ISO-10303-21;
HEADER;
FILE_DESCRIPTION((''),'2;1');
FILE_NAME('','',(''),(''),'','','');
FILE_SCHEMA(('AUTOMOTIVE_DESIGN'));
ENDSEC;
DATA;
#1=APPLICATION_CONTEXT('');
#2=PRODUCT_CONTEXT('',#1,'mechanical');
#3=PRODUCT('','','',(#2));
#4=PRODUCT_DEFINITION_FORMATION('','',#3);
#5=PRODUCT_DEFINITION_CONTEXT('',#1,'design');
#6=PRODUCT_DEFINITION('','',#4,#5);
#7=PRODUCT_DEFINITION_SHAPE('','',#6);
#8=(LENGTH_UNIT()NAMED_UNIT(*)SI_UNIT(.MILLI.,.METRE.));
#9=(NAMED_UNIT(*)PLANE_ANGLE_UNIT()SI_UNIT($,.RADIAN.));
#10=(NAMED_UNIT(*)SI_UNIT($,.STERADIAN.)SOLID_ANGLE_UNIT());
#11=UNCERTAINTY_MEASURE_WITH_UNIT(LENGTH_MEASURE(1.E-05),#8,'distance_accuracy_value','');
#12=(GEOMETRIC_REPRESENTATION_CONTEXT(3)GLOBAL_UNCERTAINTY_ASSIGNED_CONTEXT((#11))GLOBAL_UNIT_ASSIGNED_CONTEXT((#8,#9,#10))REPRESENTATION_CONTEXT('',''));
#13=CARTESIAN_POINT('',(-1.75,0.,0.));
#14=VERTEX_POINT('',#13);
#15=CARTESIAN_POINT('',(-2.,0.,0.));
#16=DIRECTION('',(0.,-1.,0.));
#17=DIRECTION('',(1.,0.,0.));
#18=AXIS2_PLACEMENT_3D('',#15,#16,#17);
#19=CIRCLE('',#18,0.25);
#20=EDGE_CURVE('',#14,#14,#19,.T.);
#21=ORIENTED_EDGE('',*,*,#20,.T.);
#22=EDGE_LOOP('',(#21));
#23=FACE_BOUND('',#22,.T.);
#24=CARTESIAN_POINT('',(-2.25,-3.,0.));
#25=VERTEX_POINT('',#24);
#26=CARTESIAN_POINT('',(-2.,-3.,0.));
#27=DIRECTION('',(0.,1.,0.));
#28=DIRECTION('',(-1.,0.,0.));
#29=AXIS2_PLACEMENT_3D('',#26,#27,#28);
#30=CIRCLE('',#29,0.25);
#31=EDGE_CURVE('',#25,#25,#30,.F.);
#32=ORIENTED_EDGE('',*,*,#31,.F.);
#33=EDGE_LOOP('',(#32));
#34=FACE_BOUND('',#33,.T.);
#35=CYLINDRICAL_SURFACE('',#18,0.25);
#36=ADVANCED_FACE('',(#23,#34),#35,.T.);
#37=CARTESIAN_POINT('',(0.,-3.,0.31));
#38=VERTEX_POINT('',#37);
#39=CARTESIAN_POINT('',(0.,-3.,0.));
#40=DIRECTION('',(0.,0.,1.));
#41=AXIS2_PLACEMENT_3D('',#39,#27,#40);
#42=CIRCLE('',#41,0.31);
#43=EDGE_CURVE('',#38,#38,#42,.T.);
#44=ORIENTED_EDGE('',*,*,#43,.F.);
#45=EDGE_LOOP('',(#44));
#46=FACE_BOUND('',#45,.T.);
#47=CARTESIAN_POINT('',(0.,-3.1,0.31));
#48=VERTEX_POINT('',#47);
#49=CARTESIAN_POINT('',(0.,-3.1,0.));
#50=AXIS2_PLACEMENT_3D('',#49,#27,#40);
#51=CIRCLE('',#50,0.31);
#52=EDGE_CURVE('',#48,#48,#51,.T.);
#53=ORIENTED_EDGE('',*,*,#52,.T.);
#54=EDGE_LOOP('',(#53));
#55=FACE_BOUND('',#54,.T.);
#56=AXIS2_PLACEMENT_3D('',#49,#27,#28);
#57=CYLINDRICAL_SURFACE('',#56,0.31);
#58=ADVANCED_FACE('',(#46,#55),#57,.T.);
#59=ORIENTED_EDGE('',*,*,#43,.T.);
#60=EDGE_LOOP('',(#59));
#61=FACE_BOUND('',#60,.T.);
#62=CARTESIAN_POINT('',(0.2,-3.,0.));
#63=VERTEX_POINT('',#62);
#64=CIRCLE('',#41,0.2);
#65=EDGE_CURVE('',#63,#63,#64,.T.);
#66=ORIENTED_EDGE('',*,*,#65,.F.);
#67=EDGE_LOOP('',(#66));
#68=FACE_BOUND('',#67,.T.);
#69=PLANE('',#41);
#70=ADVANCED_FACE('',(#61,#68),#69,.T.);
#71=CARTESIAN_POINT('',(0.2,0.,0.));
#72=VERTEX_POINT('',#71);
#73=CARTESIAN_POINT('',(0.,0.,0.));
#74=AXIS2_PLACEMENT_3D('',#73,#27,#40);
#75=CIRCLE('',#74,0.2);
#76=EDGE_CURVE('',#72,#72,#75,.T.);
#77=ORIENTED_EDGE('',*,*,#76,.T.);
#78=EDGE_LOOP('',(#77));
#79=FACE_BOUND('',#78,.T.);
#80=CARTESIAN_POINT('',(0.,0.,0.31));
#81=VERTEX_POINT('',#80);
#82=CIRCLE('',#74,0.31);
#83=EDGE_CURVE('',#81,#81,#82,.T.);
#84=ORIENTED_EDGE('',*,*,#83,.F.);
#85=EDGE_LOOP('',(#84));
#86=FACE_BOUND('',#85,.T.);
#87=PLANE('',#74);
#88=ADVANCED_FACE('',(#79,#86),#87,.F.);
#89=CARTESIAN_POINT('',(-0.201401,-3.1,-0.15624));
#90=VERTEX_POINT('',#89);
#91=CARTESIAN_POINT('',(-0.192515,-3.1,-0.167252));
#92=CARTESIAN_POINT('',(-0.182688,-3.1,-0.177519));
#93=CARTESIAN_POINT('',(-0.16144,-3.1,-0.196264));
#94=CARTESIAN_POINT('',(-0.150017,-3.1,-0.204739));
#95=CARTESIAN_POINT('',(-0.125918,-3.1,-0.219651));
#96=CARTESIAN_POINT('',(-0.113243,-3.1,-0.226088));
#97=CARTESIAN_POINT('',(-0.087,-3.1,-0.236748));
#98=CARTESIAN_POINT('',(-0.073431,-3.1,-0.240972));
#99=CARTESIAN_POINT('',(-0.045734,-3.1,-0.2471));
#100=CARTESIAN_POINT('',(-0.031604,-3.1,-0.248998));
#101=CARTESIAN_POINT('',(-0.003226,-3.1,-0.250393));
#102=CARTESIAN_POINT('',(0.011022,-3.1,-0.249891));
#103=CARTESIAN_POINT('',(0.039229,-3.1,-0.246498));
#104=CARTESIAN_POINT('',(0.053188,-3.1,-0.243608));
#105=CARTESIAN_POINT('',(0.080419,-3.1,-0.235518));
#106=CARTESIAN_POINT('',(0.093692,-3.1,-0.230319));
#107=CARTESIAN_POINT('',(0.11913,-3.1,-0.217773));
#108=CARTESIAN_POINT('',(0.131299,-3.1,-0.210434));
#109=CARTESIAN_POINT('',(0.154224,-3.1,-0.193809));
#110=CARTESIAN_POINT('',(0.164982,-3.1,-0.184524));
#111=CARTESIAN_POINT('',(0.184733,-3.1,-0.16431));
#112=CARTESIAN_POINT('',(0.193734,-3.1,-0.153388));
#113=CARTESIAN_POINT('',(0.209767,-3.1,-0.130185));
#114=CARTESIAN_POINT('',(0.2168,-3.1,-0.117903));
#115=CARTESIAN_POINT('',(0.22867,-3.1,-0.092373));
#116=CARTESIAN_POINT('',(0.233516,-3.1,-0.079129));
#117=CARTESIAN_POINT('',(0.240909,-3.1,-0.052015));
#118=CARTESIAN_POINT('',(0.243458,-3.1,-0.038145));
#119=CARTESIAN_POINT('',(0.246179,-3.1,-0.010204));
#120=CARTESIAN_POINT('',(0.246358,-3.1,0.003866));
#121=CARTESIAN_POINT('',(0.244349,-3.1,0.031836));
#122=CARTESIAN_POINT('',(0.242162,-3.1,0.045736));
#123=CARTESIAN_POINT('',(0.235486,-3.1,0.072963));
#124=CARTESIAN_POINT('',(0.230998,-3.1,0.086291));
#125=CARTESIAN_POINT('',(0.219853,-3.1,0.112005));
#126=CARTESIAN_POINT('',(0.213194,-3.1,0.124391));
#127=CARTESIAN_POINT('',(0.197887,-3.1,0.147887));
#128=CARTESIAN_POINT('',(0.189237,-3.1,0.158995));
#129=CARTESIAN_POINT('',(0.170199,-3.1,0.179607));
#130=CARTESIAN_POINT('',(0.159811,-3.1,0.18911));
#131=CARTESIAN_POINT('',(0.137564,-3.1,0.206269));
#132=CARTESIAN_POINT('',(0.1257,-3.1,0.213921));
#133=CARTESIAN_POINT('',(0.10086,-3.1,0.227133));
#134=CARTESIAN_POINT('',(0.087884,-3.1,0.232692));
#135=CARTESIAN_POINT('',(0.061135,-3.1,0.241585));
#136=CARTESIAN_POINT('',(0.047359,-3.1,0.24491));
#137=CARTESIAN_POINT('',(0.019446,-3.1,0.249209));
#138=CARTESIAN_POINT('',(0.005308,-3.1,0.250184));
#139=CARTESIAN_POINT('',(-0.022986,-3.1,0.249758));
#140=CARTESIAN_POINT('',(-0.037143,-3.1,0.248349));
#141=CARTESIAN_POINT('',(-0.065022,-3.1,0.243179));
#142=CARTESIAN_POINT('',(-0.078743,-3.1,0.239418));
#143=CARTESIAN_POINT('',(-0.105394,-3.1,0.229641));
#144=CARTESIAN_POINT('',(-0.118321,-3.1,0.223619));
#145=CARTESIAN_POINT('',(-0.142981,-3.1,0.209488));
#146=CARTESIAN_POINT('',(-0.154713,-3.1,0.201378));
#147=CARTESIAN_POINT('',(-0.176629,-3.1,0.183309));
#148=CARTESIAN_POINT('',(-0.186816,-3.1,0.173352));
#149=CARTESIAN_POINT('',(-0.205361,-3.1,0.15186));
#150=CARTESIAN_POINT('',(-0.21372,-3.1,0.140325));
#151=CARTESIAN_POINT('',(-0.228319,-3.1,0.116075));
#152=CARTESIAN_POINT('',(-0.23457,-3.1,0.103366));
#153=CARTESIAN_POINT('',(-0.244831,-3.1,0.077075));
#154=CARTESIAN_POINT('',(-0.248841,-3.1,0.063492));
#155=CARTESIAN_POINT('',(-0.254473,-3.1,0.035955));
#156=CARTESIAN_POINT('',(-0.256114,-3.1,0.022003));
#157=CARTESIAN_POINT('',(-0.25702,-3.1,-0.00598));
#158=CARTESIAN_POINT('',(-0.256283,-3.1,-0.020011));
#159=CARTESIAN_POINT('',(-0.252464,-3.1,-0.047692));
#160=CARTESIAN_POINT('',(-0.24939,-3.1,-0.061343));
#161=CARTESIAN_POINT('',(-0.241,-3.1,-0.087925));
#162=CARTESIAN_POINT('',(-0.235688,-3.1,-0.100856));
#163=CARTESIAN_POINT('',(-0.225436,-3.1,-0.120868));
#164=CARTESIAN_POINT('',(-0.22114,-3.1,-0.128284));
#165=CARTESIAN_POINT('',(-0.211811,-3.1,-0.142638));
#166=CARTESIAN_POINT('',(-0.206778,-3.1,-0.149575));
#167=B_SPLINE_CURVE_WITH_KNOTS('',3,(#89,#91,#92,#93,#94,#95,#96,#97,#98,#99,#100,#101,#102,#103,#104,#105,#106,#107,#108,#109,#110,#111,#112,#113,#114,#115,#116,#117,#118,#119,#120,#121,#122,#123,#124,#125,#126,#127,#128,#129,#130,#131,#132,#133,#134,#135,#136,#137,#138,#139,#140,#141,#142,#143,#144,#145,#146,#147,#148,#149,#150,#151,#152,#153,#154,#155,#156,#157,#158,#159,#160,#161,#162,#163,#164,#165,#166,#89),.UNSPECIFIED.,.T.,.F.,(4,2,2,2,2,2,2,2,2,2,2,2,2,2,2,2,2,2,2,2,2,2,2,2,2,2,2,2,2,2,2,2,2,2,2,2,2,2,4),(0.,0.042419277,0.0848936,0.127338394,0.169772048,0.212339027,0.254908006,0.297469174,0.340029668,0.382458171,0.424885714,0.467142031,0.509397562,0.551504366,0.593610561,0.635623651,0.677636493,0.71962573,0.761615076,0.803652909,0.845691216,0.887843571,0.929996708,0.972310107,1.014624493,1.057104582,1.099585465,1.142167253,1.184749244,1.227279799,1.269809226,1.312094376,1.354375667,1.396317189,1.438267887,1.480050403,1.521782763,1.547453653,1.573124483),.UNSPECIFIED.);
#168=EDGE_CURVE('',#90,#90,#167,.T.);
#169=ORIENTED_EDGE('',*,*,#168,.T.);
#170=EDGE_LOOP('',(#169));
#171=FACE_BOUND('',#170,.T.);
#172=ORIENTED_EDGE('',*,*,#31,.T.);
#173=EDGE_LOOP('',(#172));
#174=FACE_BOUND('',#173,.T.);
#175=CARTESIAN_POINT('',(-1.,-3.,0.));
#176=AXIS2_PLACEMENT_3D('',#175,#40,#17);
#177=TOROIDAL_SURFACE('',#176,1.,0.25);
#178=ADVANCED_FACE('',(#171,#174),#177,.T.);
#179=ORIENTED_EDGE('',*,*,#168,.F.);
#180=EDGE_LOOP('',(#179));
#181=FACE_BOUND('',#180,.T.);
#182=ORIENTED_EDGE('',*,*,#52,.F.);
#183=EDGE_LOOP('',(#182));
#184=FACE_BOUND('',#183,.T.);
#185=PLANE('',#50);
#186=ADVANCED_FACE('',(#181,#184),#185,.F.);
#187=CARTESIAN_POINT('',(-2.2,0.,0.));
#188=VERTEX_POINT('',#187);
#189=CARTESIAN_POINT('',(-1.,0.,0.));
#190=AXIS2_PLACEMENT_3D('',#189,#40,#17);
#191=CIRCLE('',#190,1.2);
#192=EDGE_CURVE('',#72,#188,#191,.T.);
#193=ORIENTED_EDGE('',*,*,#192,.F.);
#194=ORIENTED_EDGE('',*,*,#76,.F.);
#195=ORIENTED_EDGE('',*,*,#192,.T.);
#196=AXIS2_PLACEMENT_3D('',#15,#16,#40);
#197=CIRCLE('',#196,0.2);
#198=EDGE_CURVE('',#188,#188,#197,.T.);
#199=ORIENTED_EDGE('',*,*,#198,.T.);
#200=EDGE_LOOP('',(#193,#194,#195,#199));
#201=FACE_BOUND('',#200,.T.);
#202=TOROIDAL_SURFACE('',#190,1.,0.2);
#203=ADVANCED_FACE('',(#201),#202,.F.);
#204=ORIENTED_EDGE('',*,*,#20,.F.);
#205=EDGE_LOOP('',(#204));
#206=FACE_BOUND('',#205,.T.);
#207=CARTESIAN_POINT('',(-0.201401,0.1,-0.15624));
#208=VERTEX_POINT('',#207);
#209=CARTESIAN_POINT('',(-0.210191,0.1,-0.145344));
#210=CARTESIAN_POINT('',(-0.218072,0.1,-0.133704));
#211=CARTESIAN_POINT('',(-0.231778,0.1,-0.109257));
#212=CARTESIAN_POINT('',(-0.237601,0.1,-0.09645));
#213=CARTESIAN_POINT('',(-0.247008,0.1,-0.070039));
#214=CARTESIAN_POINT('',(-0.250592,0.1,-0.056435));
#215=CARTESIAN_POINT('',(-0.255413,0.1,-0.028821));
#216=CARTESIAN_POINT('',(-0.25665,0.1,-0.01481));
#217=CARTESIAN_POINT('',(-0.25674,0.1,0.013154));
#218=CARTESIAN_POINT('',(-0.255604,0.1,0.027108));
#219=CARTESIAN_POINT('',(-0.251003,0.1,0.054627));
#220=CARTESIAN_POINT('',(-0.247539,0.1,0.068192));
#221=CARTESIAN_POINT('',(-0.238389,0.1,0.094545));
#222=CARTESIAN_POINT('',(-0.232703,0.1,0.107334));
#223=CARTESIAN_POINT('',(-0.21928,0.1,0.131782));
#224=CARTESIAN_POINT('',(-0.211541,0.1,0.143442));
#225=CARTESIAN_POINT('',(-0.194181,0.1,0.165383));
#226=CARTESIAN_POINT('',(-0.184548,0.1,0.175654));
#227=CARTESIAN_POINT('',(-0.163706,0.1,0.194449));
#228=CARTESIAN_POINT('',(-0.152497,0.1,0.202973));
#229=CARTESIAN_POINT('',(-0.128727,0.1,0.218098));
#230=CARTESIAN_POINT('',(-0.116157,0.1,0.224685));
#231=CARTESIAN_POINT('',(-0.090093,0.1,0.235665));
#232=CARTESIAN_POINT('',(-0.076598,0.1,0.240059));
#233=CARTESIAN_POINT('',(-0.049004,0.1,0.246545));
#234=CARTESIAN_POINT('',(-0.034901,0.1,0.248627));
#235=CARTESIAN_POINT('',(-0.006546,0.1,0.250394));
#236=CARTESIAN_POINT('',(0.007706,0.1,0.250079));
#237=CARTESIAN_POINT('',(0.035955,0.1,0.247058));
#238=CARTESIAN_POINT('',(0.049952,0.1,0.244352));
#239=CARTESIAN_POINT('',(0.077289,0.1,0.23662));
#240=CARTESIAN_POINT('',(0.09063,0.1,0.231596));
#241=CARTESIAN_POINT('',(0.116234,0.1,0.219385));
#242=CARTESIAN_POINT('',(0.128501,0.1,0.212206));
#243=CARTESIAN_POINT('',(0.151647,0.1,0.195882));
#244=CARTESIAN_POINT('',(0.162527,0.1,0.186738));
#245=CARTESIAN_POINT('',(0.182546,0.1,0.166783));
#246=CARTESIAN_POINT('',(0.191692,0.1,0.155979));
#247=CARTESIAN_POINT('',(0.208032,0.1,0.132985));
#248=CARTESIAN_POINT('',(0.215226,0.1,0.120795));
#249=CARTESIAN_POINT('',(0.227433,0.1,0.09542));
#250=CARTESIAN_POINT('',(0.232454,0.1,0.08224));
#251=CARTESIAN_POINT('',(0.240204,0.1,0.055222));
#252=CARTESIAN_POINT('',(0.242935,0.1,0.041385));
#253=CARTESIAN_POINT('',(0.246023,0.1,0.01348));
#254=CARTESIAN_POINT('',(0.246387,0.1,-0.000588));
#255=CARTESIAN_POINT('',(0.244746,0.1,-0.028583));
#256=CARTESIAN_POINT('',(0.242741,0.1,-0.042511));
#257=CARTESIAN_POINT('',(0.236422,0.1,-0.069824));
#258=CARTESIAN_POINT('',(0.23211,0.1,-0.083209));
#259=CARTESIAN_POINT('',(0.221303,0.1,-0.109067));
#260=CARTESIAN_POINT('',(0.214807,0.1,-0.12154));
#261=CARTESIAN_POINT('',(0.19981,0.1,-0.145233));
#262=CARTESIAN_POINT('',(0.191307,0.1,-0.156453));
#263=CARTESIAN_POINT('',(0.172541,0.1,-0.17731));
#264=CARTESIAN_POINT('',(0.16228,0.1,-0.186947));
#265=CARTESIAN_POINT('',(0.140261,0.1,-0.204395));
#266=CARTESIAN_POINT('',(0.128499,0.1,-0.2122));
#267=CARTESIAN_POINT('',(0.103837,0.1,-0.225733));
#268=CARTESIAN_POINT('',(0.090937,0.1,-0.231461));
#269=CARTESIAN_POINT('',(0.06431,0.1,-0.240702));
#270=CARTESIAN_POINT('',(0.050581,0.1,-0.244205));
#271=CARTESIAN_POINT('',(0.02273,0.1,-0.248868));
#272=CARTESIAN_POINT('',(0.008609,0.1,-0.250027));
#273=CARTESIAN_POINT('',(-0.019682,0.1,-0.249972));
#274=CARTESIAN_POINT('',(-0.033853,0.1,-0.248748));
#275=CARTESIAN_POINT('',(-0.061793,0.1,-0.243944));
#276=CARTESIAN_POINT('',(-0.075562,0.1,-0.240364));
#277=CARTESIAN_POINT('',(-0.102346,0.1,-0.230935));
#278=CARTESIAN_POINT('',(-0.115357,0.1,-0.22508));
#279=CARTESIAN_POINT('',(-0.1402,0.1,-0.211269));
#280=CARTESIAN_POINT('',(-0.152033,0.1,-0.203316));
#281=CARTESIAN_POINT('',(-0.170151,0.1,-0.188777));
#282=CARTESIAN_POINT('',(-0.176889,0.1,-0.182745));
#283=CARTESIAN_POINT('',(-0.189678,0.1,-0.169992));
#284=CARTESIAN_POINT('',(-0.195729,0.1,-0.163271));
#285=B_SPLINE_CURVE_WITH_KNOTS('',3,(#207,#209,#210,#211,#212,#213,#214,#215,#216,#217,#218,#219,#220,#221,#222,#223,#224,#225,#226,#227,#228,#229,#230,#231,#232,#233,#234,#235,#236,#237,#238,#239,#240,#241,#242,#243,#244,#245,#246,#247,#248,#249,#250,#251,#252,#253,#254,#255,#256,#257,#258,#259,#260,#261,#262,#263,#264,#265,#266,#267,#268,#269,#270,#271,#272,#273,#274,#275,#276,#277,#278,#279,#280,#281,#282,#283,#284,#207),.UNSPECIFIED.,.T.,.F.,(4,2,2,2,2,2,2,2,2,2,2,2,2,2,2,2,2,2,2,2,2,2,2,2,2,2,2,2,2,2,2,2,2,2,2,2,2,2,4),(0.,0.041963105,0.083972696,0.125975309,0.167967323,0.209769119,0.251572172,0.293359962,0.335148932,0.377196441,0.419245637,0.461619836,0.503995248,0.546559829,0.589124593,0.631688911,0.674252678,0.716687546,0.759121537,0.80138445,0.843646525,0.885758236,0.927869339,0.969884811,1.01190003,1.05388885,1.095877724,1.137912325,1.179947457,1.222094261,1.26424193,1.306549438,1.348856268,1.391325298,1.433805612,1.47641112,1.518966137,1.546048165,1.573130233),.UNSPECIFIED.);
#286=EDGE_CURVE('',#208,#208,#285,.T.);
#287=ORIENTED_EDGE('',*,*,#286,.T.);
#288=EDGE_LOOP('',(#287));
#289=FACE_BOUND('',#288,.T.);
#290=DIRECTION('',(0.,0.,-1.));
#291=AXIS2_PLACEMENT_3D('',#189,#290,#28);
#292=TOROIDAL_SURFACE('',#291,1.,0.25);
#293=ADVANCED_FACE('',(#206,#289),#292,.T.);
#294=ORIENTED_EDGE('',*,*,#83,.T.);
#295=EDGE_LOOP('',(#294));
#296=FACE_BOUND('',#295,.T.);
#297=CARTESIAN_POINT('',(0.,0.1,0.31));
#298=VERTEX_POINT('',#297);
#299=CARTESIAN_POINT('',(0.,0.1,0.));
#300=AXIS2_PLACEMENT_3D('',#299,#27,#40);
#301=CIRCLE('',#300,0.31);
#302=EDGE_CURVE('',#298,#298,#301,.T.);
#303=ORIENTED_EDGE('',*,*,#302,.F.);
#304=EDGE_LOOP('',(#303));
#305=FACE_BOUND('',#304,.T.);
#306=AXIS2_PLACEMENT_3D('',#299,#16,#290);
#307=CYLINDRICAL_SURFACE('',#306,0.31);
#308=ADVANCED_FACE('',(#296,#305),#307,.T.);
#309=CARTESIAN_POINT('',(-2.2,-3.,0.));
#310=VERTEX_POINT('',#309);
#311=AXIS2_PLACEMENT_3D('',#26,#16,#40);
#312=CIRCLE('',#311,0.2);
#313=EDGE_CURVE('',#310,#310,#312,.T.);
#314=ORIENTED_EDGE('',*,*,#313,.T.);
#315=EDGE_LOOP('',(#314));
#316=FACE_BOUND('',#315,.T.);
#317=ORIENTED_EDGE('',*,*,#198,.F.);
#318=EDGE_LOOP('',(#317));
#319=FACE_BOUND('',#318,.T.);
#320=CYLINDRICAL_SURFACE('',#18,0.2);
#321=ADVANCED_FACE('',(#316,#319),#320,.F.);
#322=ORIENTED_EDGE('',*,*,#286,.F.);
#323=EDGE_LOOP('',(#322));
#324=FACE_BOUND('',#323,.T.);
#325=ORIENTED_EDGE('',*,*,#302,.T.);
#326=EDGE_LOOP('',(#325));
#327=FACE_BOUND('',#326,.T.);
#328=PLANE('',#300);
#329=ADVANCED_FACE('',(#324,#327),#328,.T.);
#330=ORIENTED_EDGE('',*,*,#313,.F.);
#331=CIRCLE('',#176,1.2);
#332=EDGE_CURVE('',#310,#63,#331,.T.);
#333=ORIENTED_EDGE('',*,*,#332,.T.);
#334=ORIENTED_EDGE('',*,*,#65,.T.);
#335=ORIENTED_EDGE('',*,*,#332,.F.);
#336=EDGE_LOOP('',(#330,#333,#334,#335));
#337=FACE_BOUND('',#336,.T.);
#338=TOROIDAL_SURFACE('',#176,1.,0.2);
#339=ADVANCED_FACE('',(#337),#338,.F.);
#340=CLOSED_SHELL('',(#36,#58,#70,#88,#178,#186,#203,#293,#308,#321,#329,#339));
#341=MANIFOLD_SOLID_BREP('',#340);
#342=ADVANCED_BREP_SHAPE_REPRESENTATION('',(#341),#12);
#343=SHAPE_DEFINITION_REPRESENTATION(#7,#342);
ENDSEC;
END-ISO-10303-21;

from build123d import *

# Parameters (mm, degrees)
IZIM4_R   = 0.25
IZIM4_R_2 = 0.2
IZIM5_R   = 0.31
IZIM5_R_2 = 0.21
IZIM6_R   = 0.31
IZIM6_R_2 = 0.21


with BuildPart() as part:
    # Süpür-İnce1: sweep along a path in Çizim1
    with BuildLine(Plane.XY) as s_p_r_nce1_path:
        ThreePointArc((0, 0), (-0.292893219, 0.707106781), (-1, 1))
        ThreePointArc((-1, 1), (-1.707106781, 0.707106781), (-2, 0))
        Line((-2, 0), (-2, -3))
        ThreePointArc((-2, -3), (-1.707106781, -3.707106781), (-1, -4))
        ThreePointArc((-1, -4), (-0.292893219, -3.707106781), (0, -3))
    # Çizim4 → Süpür-İnce1 (sweep)
    with BuildSketch(Plane(origin=(0, 0, 0), x_dir=(1, 0, 0), z_dir=(0, 1, 0))):
        Circle(IZIM4_R)
        Circle(IZIM4_R_2, mode=Mode.SUBTRACT)
    sweep(path=s_p_r_nce1_path.line)

    # Süpür-İnce2: sweep along a path in Çizim2
    with BuildLine(Plane.XY) as s_p_r_nce2_path:
        Line((0, 0), (0, 0.1))
    # Çizim5 → Süpür-İnce2 (sweep)
    with BuildSketch(Plane(origin=(0, 0, 0), x_dir=(1, 0, 0), z_dir=(0, 1, 0))):
        Circle(IZIM5_R)
        Circle(IZIM5_R_2, mode=Mode.SUBTRACT)
    sweep(path=s_p_r_nce2_path.line)

    # Süpür-İnce3: sweep along a path in Çizim3
    with BuildLine(Plane.XY) as s_p_r_nce3_path:
        Line((0, -3), (0, -3.1))
    # Çizim6 → Süpür-İnce3 (sweep)
    with BuildSketch(Plane(origin=(0, -3, 0), x_dir=(1, 0, 0), z_dir=(0, 1, 0))):
        Circle(IZIM6_R)
        Circle(IZIM6_R_2, mode=Mode.SUBTRACT)
    sweep(path=s_p_r_nce3_path.line)


solid = part.part
